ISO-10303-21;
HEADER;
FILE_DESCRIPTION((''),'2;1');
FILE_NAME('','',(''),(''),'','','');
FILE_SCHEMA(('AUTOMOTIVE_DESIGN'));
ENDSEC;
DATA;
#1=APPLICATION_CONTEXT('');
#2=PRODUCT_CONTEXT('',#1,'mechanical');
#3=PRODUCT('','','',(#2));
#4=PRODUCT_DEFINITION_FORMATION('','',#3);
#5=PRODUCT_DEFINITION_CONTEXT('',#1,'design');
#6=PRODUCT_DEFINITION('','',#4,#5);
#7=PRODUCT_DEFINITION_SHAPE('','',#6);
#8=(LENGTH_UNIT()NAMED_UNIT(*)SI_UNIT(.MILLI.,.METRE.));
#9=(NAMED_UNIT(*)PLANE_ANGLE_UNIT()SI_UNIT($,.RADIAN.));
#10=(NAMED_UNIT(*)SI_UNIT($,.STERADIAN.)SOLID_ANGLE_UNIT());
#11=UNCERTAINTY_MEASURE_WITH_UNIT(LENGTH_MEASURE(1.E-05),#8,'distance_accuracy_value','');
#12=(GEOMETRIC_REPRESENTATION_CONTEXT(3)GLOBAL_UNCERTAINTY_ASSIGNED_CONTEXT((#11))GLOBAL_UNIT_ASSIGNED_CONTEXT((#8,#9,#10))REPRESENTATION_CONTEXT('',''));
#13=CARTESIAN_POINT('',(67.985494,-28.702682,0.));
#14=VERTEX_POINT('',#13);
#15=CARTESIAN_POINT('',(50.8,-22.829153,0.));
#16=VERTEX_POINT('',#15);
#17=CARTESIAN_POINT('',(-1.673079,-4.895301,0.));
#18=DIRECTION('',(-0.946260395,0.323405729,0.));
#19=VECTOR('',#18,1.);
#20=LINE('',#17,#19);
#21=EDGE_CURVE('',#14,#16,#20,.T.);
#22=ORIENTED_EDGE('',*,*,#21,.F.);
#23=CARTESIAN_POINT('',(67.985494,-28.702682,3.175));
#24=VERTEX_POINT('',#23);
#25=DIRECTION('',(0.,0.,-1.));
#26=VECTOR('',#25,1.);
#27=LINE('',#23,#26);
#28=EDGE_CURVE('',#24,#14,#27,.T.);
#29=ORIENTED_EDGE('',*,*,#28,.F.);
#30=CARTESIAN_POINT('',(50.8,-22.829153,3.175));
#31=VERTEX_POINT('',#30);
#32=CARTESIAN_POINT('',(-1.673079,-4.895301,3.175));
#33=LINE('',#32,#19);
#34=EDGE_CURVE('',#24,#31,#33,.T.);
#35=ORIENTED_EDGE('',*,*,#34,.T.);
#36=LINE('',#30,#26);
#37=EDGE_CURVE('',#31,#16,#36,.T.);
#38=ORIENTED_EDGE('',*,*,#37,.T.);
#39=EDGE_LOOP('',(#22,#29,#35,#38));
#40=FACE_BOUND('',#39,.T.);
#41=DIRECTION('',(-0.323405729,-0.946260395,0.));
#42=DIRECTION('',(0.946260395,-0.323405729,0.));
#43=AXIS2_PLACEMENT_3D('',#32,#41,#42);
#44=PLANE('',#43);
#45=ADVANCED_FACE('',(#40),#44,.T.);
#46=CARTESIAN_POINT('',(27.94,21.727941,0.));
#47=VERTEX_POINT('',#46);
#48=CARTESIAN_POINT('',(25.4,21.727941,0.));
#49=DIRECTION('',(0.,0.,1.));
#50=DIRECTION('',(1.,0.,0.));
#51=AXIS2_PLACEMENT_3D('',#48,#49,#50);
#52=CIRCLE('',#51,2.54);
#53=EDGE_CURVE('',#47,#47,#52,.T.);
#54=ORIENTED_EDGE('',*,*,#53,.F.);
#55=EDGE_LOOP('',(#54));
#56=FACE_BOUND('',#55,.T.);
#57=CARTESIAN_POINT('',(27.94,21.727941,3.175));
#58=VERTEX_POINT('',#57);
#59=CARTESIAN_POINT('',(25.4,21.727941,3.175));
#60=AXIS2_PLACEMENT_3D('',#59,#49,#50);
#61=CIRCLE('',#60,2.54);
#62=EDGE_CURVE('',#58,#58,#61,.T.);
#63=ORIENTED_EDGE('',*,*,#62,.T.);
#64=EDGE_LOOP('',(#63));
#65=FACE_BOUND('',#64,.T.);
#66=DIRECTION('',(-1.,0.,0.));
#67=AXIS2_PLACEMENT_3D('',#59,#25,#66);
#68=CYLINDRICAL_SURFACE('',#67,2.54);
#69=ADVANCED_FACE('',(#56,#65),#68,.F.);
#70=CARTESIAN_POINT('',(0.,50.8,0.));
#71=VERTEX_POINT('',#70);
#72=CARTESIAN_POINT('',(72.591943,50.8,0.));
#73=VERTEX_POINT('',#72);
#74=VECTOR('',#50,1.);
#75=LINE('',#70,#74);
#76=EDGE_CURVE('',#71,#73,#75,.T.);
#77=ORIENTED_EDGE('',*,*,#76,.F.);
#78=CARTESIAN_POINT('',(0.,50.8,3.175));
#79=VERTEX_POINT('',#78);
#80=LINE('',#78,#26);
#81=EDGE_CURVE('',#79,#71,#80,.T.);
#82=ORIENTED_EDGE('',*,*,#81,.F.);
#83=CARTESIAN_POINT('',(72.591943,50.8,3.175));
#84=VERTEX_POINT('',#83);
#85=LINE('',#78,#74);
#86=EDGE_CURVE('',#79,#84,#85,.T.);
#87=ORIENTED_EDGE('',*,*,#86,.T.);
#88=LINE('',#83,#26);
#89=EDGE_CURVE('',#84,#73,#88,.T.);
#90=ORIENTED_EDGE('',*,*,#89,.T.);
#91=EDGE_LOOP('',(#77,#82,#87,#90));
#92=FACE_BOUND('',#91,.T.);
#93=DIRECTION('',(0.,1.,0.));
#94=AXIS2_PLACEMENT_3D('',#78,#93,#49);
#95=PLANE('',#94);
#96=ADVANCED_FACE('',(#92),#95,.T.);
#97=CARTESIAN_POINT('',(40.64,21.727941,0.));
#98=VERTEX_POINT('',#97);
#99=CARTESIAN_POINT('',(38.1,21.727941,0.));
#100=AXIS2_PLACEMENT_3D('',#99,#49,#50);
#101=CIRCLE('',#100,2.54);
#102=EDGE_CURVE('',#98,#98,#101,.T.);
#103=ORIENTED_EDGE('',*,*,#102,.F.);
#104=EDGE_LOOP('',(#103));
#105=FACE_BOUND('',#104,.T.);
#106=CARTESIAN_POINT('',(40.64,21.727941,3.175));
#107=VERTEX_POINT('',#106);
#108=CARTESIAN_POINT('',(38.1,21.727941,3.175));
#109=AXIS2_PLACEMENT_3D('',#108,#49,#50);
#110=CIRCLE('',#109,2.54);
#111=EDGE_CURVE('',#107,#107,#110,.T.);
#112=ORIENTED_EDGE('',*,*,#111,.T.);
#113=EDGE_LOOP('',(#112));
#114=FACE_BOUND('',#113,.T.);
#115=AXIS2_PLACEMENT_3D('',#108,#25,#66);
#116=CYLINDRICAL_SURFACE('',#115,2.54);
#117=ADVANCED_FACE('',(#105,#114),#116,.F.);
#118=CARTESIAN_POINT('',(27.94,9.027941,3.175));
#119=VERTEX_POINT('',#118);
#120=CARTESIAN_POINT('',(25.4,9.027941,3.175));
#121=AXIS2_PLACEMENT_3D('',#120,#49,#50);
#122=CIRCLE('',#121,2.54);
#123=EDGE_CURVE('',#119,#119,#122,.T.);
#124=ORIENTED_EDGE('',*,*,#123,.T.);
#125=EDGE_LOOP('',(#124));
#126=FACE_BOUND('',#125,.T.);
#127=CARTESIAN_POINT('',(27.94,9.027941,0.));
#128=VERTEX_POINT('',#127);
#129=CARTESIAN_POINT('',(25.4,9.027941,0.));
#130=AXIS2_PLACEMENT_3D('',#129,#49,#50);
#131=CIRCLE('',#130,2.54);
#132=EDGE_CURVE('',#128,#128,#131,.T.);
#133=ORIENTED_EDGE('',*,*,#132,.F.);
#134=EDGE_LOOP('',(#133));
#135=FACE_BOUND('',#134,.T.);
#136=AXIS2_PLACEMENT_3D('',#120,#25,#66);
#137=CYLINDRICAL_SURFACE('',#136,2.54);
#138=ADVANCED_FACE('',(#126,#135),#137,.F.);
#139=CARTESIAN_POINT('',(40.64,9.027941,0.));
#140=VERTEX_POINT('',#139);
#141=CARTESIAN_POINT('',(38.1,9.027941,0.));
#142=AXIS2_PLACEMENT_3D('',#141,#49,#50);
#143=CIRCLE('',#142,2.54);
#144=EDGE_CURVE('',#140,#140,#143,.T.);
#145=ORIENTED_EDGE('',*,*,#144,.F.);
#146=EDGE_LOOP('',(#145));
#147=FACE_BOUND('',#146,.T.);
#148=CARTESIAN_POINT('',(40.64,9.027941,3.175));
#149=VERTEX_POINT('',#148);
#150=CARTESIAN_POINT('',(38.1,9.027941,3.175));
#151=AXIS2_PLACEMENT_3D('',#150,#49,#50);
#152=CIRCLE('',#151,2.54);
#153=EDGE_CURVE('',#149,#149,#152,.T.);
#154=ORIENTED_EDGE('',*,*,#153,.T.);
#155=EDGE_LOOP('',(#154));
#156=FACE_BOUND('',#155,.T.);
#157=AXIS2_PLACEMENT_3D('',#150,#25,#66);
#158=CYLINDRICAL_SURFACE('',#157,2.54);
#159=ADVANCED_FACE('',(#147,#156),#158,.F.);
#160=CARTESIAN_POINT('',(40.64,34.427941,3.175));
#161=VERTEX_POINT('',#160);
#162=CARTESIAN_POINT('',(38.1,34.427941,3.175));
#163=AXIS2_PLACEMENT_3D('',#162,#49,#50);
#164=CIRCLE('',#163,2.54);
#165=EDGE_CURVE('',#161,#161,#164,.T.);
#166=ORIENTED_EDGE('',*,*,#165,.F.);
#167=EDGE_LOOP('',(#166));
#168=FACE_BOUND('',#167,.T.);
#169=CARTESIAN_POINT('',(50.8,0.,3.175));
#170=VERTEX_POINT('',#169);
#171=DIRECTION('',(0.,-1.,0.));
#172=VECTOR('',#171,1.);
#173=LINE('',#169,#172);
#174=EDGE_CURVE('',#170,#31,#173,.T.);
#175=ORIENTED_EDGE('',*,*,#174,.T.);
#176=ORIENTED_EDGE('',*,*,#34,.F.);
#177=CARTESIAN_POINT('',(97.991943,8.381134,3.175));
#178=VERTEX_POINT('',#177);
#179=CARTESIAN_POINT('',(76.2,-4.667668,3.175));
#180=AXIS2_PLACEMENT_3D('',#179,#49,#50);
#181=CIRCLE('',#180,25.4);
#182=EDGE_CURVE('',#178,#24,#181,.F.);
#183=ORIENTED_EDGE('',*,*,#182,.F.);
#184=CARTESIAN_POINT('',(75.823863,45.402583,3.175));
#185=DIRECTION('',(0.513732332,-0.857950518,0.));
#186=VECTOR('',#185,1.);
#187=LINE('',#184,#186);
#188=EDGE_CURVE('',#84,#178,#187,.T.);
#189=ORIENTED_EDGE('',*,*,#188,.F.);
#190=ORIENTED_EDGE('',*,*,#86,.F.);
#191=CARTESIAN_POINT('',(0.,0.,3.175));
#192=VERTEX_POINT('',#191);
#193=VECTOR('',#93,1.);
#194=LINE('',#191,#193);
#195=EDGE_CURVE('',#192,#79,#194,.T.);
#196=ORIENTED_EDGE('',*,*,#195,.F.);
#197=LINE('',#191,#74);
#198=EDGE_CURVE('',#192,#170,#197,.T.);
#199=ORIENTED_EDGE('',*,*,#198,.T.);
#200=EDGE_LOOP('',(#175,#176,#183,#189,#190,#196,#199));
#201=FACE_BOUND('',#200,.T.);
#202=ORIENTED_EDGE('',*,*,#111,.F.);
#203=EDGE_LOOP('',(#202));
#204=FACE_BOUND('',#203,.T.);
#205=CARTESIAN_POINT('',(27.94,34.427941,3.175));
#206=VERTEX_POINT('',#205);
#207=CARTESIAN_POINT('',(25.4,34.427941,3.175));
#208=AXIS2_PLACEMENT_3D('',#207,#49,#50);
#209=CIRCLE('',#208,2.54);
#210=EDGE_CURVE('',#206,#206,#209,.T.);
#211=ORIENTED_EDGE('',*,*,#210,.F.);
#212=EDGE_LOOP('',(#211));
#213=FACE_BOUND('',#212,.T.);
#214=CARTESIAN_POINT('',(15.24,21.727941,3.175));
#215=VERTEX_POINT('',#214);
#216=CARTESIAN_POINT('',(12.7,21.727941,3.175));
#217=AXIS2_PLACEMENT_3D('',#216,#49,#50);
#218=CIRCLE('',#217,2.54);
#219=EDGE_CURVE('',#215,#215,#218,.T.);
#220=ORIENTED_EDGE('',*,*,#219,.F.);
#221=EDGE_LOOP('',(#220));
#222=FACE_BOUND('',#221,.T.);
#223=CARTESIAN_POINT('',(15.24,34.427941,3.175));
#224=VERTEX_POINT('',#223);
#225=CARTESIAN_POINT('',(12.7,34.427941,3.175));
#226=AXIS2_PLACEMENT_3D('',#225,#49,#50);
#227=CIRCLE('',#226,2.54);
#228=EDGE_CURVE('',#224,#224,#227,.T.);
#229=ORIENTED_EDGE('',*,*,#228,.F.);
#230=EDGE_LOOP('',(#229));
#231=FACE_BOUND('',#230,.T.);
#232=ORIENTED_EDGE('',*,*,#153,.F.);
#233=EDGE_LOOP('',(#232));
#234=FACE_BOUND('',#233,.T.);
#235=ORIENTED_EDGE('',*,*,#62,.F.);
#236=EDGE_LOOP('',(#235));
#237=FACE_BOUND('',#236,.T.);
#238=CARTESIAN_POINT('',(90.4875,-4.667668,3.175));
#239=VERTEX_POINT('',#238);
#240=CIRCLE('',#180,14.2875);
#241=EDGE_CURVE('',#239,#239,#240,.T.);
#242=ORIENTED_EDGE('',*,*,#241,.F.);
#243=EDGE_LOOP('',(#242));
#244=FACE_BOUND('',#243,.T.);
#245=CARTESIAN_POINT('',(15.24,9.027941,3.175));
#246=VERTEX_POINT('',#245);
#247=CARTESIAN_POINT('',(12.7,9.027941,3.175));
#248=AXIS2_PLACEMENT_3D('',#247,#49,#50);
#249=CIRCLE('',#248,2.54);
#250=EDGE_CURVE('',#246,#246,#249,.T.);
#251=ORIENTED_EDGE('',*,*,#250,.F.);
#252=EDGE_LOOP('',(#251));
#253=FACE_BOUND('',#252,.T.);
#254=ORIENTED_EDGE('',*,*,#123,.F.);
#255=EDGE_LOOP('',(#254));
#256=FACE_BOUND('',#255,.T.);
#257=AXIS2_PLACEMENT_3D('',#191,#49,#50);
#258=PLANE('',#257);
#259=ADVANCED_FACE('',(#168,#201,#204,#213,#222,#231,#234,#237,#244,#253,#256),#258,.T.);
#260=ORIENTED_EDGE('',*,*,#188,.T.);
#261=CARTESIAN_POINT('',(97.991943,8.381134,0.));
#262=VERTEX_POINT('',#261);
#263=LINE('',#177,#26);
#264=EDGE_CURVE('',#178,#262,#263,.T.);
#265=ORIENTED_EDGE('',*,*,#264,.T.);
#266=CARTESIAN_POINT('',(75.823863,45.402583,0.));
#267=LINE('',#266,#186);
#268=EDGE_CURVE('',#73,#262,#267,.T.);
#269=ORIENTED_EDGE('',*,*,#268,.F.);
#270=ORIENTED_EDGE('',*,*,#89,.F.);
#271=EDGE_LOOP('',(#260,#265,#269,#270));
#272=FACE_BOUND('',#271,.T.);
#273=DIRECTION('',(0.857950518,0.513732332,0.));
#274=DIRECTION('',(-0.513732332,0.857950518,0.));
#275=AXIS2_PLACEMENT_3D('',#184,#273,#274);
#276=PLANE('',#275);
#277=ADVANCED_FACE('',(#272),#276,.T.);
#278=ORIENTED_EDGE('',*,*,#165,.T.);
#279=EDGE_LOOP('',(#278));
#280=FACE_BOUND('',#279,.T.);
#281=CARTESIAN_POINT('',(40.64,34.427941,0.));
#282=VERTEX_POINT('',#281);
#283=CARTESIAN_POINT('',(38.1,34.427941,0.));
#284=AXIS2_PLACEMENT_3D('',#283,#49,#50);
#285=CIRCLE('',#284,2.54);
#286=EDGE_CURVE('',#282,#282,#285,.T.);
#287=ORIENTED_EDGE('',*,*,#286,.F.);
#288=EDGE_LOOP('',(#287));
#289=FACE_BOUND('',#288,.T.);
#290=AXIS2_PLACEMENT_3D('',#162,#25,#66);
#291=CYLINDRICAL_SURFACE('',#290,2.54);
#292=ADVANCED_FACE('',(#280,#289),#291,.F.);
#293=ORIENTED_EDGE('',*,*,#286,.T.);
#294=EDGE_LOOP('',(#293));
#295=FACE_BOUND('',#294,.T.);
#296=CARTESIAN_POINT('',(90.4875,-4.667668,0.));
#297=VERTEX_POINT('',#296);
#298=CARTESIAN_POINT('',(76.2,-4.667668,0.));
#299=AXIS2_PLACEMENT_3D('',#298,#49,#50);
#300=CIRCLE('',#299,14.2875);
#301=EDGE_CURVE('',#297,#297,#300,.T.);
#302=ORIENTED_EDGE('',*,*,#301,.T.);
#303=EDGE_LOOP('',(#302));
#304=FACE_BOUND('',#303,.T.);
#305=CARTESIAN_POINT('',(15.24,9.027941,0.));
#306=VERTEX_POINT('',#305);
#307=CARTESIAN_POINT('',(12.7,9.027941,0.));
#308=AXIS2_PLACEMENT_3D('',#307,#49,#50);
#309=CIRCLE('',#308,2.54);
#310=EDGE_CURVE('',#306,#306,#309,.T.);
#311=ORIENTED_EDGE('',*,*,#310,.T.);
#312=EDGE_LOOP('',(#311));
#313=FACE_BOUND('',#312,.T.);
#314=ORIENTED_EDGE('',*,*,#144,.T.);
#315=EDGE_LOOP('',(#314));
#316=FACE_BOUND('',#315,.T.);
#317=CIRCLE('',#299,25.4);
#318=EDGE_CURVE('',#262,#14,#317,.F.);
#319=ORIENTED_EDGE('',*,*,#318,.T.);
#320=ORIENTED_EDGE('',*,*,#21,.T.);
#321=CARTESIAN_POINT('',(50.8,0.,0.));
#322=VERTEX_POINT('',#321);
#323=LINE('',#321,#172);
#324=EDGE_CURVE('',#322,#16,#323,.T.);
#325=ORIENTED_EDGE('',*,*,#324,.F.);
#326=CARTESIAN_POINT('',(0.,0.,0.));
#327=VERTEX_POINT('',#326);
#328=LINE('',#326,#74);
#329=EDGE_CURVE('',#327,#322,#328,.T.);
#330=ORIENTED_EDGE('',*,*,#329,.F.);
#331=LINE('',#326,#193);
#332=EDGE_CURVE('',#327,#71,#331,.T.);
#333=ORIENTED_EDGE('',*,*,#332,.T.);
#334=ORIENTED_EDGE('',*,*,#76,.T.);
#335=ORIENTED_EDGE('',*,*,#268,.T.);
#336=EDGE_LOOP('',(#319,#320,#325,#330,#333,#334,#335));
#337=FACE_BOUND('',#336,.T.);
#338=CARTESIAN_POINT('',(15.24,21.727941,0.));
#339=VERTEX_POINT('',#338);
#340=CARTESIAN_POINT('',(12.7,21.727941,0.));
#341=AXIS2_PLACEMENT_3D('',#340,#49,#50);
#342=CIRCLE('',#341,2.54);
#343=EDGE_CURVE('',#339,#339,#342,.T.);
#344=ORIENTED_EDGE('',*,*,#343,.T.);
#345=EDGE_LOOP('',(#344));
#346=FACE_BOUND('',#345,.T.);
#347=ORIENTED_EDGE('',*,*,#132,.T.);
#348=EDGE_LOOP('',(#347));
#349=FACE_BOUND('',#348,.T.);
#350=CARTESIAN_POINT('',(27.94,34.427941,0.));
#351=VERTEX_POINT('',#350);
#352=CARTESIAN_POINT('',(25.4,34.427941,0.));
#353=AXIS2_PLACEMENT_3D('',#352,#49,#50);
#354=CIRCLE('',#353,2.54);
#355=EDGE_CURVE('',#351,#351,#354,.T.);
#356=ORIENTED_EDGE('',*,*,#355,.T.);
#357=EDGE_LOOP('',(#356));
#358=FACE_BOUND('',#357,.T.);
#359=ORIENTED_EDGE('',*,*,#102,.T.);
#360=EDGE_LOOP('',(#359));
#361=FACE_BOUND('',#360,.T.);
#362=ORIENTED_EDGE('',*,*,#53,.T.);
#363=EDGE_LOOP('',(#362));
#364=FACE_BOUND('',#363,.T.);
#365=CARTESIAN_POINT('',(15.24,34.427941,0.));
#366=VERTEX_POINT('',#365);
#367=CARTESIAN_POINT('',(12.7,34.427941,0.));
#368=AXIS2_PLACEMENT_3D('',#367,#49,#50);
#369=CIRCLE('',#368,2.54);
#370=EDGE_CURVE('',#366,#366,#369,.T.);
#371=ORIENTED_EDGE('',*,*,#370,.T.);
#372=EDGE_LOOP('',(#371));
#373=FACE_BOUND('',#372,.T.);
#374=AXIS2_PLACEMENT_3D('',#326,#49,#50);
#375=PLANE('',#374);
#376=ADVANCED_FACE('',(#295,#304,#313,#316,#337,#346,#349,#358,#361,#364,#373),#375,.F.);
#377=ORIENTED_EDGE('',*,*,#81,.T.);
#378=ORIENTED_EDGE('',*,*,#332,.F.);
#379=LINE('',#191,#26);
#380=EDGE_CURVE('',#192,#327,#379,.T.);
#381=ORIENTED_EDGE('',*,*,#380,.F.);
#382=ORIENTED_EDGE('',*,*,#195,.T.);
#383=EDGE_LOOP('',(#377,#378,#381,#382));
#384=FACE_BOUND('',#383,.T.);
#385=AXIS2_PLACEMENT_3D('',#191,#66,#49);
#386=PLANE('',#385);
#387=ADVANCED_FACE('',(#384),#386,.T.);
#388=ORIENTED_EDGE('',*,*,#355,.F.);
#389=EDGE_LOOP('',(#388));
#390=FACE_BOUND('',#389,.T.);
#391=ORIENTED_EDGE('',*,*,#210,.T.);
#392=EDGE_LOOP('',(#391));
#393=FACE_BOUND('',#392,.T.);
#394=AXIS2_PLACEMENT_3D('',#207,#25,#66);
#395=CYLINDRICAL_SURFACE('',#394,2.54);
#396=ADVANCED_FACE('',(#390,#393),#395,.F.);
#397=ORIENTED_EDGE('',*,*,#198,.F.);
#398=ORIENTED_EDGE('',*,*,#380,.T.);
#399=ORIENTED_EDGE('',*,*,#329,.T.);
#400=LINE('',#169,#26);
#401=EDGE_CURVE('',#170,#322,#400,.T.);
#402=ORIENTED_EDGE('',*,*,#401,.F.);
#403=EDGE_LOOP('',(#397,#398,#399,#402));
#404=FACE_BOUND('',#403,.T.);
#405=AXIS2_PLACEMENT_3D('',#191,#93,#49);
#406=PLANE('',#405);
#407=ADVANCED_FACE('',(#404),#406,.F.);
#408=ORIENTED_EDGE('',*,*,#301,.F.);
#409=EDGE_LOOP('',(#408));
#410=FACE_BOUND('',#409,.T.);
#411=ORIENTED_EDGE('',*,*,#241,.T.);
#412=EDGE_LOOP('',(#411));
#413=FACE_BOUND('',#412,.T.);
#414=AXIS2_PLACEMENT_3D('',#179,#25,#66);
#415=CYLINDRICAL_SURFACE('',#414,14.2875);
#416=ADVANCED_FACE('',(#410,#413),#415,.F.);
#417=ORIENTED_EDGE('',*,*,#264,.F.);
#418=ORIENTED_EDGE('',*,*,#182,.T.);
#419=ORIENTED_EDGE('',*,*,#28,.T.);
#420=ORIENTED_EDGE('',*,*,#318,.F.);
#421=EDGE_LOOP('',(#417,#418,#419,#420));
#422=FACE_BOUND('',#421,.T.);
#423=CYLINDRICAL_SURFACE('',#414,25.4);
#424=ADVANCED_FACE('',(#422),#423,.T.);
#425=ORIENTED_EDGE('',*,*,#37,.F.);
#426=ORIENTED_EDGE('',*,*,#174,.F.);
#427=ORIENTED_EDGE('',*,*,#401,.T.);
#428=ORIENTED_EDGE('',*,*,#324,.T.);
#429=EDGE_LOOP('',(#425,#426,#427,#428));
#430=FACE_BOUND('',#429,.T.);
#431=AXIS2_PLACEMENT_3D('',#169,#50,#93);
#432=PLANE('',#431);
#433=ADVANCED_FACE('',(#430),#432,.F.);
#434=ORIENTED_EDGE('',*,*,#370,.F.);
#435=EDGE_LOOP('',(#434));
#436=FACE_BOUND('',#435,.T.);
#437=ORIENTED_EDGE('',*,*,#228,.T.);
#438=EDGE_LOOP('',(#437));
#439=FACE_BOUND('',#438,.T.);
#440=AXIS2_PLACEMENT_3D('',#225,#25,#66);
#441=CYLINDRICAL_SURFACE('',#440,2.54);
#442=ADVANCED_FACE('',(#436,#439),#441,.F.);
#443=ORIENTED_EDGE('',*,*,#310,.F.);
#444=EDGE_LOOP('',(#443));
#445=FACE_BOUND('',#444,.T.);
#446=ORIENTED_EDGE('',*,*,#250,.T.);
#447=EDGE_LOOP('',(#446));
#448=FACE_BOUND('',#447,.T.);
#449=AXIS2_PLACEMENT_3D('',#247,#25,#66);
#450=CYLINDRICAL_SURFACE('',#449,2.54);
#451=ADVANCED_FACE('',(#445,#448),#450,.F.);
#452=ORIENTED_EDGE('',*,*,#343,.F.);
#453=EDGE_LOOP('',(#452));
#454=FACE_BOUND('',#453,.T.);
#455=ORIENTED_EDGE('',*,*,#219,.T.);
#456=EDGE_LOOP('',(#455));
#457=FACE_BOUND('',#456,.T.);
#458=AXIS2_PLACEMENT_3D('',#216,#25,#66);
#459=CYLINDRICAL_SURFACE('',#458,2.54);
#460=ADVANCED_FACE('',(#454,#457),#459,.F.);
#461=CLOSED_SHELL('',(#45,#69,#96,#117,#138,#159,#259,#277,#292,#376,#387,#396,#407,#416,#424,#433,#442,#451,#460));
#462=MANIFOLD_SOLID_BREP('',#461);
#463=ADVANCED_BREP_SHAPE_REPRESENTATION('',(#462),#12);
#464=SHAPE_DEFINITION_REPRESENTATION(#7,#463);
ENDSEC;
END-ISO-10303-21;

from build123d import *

# Parameters (mm, degrees)
SKETCH1_R           = 2.54
SKETCH1_R_2         = 14.2875
BOSS_EXTRUDE1_DEPTH = 3.175


with BuildPart() as part:
    # Sketch1 → Boss-Extrude1 (new body)
    with BuildSketch(Plane.XY):
        with BuildLine():
            Line((0, 0), (0, 50.8))
            Line((0, 50.8), (72.591943157, 50.8))
            Line((72.591943157, 50.8), (97.991943157, 8.381133577))
            ThreePointArc((97.991943157, 8.381133577), (95.945608162, -20.644868853), (67.98549449, -28.702681675))
            Line((67.98549449, -28.702681675), (50.8, -22.829153204))
            Line((50.8, -22.829153204), (50.8, 0))
            Line((50.8, 0), (0, 0))
        make_face()
        with Locations((12.7, 34.42794066)):
            Circle(SKETCH1_R, mode=Mode.SUBTRACT)
        with Locations((25.4, 34.42794066)):
            Circle(SKETCH1_R, mode=Mode.SUBTRACT)
        with Locations((38.1, 34.42794066)):
            Circle(SKETCH1_R, mode=Mode.SUBTRACT)
        with Locations((25.4, 21.72794066)):
            Circle(SKETCH1_R, mode=Mode.SUBTRACT)
        with Locations((38.1, 21.72794066)):
            Circle(SKETCH1_R, mode=Mode.SUBTRACT)
        with Locations((25.4, 9.02794066)):
            Circle(SKETCH1_R, mode=Mode.SUBTRACT)
        with Locations((38.1, 9.02794066)):
            Circle(SKETCH1_R, mode=Mode.SUBTRACT)
        with Locations((12.7, 21.72794066)):
            Circle(SKETCH1_R, mode=Mode.SUBTRACT)
        with Locations((12.7, 9.02794066)):
            Circle(SKETCH1_R, mode=Mode.SUBTRACT)
        with Locations((76.2, -4.667667649)):
            Circle(SKETCH1_R_2, mode=Mode.SUBTRACT)
    extrude(amount=BOSS_EXTRUDE1_DEPTH)


solid = part.part
